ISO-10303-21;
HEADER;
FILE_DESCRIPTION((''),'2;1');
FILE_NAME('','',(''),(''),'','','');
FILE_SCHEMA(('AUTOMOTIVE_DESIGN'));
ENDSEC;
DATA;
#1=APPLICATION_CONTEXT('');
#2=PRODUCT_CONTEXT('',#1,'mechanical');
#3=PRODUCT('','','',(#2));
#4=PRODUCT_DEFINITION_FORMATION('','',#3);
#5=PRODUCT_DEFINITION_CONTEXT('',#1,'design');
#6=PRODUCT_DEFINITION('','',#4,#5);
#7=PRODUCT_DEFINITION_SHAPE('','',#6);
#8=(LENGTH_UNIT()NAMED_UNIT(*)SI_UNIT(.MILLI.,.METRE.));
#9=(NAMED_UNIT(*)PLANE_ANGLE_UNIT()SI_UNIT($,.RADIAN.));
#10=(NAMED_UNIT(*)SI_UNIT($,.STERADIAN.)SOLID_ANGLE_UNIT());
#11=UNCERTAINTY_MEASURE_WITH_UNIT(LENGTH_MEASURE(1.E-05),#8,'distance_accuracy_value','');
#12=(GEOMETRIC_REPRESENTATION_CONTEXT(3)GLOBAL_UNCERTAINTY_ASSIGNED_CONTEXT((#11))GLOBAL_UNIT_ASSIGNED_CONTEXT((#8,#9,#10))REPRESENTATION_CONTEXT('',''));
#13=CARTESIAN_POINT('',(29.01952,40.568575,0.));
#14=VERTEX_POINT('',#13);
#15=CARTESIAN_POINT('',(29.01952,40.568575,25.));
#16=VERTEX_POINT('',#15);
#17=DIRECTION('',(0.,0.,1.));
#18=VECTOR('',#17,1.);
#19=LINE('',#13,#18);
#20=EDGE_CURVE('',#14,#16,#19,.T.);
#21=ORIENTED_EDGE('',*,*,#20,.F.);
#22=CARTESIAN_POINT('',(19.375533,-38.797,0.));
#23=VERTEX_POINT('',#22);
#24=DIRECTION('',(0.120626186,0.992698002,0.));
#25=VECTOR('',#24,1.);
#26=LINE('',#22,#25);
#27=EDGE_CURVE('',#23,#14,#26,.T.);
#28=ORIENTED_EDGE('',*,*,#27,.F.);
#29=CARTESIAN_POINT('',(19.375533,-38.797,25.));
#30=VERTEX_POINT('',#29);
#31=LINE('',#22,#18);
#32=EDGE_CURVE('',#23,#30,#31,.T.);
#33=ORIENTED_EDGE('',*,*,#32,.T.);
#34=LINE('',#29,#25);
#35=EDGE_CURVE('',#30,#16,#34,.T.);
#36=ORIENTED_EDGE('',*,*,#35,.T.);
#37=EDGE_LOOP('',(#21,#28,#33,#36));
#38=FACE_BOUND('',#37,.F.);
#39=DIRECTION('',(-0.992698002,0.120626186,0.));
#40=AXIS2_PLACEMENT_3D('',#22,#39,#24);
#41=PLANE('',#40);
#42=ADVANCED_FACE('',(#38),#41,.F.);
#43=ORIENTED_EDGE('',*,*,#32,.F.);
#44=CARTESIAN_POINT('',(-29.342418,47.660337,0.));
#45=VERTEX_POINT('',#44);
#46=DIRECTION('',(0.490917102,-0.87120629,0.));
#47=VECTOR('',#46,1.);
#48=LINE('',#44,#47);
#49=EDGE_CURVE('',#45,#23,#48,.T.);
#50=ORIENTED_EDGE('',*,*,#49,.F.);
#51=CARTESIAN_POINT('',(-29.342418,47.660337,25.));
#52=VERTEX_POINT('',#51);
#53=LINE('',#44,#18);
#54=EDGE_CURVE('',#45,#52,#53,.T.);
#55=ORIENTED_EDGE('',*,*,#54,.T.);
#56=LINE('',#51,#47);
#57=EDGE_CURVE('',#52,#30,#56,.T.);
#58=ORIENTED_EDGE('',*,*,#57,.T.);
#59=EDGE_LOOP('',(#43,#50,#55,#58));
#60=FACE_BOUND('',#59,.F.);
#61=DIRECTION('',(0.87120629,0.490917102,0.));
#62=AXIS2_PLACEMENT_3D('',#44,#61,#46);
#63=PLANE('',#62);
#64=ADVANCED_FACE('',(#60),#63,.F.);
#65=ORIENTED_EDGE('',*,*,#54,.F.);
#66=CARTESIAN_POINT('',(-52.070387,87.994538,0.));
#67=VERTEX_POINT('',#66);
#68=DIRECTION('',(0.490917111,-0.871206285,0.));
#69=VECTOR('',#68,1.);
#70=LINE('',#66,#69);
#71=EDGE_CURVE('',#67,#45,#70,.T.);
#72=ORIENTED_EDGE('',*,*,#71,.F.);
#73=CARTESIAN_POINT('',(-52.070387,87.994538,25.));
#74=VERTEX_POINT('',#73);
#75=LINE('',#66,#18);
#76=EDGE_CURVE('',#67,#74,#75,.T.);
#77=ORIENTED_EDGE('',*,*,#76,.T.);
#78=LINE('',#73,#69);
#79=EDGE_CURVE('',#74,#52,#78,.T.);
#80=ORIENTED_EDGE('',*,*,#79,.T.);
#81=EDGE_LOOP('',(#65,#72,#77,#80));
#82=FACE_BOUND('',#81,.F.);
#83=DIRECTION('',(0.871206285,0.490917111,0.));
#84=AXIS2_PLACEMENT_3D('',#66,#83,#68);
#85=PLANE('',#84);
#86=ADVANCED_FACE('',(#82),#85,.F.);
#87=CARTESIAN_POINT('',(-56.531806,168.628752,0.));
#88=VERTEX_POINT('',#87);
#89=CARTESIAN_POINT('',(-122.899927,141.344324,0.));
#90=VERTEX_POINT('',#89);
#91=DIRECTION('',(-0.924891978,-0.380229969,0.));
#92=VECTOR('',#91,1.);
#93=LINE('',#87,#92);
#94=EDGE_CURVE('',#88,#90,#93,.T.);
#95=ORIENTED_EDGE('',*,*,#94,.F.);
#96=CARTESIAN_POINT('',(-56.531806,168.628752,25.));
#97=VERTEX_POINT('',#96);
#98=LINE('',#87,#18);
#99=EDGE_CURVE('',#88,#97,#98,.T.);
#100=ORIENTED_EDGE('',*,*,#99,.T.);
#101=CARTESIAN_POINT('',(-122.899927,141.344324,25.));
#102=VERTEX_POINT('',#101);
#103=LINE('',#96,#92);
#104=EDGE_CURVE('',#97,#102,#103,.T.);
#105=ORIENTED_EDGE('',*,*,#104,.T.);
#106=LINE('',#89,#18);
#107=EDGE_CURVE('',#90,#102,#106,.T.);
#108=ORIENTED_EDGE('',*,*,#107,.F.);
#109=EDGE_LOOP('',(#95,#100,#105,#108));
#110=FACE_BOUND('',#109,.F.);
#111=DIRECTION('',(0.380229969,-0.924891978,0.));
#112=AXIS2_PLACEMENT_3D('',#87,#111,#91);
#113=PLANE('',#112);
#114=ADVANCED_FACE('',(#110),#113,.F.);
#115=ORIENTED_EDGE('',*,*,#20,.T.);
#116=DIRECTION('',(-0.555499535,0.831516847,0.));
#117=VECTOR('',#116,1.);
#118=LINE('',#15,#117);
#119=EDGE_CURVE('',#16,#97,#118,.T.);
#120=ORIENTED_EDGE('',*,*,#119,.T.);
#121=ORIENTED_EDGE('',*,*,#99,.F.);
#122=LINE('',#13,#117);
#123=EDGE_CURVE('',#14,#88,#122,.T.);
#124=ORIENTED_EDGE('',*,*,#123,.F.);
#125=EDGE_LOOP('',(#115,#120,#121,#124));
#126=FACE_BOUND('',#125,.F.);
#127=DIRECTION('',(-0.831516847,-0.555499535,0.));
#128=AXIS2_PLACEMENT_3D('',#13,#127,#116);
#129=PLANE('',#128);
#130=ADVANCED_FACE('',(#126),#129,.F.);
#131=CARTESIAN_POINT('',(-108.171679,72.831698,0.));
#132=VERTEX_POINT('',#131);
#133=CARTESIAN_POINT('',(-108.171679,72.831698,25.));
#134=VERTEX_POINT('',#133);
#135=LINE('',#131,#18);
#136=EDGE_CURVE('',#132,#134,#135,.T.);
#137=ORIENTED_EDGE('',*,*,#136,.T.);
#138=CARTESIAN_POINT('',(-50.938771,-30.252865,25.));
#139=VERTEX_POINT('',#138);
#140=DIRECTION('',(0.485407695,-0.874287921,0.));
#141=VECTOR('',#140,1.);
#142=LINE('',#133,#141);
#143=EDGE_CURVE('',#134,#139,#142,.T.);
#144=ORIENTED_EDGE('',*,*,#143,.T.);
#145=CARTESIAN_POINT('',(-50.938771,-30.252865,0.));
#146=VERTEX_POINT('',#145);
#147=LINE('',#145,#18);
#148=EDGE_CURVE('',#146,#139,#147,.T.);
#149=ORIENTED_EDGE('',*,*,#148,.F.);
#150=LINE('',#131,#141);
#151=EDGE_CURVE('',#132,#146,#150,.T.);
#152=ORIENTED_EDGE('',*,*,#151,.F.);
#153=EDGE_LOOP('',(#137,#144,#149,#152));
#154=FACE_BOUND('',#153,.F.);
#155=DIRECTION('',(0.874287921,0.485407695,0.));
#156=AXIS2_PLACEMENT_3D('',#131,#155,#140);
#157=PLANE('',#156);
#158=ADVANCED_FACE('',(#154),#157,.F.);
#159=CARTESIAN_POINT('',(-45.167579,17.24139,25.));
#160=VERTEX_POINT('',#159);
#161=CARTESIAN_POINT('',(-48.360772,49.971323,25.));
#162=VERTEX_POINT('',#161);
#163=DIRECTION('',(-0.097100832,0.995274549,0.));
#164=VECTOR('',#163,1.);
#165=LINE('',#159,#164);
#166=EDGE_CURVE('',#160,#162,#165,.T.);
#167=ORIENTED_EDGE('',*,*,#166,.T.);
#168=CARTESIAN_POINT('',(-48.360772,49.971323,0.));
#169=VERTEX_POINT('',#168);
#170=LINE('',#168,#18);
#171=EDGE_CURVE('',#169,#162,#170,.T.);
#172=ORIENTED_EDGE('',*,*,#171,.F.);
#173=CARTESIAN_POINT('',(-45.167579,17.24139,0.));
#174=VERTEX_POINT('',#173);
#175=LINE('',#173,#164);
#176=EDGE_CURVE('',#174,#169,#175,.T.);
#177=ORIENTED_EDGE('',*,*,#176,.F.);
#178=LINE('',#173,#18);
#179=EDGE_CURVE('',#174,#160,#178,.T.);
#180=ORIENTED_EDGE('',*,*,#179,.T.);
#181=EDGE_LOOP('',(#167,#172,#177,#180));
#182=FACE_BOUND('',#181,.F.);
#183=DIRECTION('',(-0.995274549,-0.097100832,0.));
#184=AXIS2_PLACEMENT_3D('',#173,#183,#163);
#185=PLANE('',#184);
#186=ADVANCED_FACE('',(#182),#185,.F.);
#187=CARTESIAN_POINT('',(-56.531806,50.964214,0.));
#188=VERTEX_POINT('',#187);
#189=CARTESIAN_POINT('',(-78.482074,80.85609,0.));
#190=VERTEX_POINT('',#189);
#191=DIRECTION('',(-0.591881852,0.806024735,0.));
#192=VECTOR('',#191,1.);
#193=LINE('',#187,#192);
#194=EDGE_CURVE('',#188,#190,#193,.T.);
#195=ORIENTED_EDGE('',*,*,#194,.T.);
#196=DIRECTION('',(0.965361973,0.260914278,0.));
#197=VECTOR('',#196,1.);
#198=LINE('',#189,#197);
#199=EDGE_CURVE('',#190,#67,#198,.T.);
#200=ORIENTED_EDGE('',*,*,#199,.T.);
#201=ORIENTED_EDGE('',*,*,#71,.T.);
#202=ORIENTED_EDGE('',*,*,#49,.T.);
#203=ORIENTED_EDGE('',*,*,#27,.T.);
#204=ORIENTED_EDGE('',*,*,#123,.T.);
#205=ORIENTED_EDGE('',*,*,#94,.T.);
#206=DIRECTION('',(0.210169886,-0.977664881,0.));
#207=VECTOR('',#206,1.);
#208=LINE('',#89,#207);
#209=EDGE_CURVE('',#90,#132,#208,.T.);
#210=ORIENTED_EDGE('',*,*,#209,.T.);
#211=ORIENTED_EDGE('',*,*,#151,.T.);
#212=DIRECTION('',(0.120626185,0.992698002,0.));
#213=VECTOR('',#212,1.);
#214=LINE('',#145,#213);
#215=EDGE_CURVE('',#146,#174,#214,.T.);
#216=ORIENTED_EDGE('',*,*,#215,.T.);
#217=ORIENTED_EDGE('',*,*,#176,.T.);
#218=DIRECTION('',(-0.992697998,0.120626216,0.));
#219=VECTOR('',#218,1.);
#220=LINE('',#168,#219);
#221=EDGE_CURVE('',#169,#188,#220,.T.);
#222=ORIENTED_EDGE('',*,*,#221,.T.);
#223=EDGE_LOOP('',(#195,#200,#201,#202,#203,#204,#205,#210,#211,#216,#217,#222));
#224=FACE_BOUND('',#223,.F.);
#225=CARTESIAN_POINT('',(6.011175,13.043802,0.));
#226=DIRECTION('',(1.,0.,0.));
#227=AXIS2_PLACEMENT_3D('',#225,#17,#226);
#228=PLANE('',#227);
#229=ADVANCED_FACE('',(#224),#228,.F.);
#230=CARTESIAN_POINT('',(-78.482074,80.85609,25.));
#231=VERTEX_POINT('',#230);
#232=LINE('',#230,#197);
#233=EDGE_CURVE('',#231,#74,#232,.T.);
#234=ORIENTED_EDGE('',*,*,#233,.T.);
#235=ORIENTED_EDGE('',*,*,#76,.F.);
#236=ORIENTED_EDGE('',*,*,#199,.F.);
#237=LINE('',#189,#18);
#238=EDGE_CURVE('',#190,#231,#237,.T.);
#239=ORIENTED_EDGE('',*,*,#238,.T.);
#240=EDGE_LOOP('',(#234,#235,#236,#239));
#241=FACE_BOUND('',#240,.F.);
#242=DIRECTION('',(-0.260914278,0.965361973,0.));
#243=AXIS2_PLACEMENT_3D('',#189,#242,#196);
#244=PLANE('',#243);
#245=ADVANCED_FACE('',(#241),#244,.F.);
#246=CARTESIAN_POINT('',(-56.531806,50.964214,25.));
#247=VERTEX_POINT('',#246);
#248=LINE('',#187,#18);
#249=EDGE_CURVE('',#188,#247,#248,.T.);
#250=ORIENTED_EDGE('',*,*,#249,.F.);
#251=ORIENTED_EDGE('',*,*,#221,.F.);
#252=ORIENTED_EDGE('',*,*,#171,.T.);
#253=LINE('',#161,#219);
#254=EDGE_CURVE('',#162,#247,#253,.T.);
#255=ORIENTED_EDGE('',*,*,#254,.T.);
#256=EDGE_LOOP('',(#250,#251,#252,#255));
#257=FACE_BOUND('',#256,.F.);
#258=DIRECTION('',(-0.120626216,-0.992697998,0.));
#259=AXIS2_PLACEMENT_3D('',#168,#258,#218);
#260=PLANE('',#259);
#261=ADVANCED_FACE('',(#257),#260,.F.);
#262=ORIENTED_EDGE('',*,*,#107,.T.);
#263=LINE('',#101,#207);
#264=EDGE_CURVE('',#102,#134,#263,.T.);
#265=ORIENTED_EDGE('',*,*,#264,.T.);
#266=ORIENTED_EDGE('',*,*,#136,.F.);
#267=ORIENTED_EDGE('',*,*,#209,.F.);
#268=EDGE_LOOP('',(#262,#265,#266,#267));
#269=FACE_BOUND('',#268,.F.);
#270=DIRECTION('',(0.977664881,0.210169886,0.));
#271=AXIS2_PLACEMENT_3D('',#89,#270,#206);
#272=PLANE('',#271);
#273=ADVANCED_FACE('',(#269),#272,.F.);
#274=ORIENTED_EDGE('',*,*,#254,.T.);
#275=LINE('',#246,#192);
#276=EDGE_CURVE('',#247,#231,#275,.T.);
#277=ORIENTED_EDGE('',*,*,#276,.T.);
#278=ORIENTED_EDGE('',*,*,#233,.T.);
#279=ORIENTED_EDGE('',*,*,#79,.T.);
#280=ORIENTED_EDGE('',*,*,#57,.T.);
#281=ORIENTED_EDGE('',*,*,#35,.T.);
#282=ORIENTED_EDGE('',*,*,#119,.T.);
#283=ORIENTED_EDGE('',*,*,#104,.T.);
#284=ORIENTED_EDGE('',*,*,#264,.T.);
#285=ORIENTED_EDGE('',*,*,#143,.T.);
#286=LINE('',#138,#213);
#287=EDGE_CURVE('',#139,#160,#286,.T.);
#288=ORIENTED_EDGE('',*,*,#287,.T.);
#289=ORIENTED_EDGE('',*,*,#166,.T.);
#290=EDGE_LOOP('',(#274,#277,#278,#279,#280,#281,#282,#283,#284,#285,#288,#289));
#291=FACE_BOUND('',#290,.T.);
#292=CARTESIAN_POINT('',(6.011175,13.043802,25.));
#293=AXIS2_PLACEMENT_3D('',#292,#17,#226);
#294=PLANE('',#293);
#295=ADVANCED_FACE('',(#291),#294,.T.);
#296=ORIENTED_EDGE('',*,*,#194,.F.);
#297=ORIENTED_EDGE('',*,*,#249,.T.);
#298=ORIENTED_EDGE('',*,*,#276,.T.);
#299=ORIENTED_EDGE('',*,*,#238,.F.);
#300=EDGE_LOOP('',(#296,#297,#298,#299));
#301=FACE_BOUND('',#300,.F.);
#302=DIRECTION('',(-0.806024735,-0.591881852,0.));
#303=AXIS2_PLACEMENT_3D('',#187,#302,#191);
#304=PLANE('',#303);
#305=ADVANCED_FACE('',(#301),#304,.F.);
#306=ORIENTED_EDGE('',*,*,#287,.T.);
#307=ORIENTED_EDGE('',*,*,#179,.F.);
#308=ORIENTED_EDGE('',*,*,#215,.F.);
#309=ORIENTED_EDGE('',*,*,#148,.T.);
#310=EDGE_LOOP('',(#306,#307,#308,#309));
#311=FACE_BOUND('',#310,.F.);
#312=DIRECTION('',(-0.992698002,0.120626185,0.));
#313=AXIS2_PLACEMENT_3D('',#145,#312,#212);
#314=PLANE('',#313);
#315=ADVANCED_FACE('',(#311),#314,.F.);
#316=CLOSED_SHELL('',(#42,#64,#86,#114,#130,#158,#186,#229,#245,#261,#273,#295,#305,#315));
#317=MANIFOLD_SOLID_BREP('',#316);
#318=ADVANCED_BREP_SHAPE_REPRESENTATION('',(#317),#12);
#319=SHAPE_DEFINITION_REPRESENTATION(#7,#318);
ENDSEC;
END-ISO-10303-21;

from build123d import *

# Parameters (mm, degrees)
F1_DEPTH = 25


with BuildPart() as f1:
    # F0 (on Top) → F1 (new body)
    with BuildSketch(Plane.XY):
        Polygon((29.01952, 40.568575), (-29.342418, 47.660337), (19.375533, -38.797), align=None)
        Polygon((-50.938771, -30.252865), (-56.531806, 50.964214), (-108.171679, 72.831698), align=None)
        Polygon((-108.171679, 72.831698), (-78.482074, 80.85609), (-122.899927, 141.344324), align=None)
        Polygon((-23.814244, 106.871214), (29.01952, 40.568575), (-56.531806, 168.628752), align=None)
        Polygon((-48.360772, 49.971323), (-56.531806, 50.964214), (-50.938771, -30.252865), (-45.167579, 17.24139), align=None)
        Polygon((-108.171679, 72.831698), (-56.531806, 50.964214), (-78.482074, 80.85609), align=None)
        Polygon((-122.899927, 141.344324), (-78.482074, 80.85609), (-52.070387, 87.994538), align=None)
        Polygon((-122.899927, 141.344324), (-52.070387, 87.994538), (-23.814244, 106.871214), (-56.531806, 168.628752), align=None)
        Polygon((-52.070387, 87.994538), (-29.342418, 47.660337), (29.01952, 40.568575), (-23.814244, 106.871214), align=None)
    extrude(amount=F1_DEPTH)


solid = f1.part
